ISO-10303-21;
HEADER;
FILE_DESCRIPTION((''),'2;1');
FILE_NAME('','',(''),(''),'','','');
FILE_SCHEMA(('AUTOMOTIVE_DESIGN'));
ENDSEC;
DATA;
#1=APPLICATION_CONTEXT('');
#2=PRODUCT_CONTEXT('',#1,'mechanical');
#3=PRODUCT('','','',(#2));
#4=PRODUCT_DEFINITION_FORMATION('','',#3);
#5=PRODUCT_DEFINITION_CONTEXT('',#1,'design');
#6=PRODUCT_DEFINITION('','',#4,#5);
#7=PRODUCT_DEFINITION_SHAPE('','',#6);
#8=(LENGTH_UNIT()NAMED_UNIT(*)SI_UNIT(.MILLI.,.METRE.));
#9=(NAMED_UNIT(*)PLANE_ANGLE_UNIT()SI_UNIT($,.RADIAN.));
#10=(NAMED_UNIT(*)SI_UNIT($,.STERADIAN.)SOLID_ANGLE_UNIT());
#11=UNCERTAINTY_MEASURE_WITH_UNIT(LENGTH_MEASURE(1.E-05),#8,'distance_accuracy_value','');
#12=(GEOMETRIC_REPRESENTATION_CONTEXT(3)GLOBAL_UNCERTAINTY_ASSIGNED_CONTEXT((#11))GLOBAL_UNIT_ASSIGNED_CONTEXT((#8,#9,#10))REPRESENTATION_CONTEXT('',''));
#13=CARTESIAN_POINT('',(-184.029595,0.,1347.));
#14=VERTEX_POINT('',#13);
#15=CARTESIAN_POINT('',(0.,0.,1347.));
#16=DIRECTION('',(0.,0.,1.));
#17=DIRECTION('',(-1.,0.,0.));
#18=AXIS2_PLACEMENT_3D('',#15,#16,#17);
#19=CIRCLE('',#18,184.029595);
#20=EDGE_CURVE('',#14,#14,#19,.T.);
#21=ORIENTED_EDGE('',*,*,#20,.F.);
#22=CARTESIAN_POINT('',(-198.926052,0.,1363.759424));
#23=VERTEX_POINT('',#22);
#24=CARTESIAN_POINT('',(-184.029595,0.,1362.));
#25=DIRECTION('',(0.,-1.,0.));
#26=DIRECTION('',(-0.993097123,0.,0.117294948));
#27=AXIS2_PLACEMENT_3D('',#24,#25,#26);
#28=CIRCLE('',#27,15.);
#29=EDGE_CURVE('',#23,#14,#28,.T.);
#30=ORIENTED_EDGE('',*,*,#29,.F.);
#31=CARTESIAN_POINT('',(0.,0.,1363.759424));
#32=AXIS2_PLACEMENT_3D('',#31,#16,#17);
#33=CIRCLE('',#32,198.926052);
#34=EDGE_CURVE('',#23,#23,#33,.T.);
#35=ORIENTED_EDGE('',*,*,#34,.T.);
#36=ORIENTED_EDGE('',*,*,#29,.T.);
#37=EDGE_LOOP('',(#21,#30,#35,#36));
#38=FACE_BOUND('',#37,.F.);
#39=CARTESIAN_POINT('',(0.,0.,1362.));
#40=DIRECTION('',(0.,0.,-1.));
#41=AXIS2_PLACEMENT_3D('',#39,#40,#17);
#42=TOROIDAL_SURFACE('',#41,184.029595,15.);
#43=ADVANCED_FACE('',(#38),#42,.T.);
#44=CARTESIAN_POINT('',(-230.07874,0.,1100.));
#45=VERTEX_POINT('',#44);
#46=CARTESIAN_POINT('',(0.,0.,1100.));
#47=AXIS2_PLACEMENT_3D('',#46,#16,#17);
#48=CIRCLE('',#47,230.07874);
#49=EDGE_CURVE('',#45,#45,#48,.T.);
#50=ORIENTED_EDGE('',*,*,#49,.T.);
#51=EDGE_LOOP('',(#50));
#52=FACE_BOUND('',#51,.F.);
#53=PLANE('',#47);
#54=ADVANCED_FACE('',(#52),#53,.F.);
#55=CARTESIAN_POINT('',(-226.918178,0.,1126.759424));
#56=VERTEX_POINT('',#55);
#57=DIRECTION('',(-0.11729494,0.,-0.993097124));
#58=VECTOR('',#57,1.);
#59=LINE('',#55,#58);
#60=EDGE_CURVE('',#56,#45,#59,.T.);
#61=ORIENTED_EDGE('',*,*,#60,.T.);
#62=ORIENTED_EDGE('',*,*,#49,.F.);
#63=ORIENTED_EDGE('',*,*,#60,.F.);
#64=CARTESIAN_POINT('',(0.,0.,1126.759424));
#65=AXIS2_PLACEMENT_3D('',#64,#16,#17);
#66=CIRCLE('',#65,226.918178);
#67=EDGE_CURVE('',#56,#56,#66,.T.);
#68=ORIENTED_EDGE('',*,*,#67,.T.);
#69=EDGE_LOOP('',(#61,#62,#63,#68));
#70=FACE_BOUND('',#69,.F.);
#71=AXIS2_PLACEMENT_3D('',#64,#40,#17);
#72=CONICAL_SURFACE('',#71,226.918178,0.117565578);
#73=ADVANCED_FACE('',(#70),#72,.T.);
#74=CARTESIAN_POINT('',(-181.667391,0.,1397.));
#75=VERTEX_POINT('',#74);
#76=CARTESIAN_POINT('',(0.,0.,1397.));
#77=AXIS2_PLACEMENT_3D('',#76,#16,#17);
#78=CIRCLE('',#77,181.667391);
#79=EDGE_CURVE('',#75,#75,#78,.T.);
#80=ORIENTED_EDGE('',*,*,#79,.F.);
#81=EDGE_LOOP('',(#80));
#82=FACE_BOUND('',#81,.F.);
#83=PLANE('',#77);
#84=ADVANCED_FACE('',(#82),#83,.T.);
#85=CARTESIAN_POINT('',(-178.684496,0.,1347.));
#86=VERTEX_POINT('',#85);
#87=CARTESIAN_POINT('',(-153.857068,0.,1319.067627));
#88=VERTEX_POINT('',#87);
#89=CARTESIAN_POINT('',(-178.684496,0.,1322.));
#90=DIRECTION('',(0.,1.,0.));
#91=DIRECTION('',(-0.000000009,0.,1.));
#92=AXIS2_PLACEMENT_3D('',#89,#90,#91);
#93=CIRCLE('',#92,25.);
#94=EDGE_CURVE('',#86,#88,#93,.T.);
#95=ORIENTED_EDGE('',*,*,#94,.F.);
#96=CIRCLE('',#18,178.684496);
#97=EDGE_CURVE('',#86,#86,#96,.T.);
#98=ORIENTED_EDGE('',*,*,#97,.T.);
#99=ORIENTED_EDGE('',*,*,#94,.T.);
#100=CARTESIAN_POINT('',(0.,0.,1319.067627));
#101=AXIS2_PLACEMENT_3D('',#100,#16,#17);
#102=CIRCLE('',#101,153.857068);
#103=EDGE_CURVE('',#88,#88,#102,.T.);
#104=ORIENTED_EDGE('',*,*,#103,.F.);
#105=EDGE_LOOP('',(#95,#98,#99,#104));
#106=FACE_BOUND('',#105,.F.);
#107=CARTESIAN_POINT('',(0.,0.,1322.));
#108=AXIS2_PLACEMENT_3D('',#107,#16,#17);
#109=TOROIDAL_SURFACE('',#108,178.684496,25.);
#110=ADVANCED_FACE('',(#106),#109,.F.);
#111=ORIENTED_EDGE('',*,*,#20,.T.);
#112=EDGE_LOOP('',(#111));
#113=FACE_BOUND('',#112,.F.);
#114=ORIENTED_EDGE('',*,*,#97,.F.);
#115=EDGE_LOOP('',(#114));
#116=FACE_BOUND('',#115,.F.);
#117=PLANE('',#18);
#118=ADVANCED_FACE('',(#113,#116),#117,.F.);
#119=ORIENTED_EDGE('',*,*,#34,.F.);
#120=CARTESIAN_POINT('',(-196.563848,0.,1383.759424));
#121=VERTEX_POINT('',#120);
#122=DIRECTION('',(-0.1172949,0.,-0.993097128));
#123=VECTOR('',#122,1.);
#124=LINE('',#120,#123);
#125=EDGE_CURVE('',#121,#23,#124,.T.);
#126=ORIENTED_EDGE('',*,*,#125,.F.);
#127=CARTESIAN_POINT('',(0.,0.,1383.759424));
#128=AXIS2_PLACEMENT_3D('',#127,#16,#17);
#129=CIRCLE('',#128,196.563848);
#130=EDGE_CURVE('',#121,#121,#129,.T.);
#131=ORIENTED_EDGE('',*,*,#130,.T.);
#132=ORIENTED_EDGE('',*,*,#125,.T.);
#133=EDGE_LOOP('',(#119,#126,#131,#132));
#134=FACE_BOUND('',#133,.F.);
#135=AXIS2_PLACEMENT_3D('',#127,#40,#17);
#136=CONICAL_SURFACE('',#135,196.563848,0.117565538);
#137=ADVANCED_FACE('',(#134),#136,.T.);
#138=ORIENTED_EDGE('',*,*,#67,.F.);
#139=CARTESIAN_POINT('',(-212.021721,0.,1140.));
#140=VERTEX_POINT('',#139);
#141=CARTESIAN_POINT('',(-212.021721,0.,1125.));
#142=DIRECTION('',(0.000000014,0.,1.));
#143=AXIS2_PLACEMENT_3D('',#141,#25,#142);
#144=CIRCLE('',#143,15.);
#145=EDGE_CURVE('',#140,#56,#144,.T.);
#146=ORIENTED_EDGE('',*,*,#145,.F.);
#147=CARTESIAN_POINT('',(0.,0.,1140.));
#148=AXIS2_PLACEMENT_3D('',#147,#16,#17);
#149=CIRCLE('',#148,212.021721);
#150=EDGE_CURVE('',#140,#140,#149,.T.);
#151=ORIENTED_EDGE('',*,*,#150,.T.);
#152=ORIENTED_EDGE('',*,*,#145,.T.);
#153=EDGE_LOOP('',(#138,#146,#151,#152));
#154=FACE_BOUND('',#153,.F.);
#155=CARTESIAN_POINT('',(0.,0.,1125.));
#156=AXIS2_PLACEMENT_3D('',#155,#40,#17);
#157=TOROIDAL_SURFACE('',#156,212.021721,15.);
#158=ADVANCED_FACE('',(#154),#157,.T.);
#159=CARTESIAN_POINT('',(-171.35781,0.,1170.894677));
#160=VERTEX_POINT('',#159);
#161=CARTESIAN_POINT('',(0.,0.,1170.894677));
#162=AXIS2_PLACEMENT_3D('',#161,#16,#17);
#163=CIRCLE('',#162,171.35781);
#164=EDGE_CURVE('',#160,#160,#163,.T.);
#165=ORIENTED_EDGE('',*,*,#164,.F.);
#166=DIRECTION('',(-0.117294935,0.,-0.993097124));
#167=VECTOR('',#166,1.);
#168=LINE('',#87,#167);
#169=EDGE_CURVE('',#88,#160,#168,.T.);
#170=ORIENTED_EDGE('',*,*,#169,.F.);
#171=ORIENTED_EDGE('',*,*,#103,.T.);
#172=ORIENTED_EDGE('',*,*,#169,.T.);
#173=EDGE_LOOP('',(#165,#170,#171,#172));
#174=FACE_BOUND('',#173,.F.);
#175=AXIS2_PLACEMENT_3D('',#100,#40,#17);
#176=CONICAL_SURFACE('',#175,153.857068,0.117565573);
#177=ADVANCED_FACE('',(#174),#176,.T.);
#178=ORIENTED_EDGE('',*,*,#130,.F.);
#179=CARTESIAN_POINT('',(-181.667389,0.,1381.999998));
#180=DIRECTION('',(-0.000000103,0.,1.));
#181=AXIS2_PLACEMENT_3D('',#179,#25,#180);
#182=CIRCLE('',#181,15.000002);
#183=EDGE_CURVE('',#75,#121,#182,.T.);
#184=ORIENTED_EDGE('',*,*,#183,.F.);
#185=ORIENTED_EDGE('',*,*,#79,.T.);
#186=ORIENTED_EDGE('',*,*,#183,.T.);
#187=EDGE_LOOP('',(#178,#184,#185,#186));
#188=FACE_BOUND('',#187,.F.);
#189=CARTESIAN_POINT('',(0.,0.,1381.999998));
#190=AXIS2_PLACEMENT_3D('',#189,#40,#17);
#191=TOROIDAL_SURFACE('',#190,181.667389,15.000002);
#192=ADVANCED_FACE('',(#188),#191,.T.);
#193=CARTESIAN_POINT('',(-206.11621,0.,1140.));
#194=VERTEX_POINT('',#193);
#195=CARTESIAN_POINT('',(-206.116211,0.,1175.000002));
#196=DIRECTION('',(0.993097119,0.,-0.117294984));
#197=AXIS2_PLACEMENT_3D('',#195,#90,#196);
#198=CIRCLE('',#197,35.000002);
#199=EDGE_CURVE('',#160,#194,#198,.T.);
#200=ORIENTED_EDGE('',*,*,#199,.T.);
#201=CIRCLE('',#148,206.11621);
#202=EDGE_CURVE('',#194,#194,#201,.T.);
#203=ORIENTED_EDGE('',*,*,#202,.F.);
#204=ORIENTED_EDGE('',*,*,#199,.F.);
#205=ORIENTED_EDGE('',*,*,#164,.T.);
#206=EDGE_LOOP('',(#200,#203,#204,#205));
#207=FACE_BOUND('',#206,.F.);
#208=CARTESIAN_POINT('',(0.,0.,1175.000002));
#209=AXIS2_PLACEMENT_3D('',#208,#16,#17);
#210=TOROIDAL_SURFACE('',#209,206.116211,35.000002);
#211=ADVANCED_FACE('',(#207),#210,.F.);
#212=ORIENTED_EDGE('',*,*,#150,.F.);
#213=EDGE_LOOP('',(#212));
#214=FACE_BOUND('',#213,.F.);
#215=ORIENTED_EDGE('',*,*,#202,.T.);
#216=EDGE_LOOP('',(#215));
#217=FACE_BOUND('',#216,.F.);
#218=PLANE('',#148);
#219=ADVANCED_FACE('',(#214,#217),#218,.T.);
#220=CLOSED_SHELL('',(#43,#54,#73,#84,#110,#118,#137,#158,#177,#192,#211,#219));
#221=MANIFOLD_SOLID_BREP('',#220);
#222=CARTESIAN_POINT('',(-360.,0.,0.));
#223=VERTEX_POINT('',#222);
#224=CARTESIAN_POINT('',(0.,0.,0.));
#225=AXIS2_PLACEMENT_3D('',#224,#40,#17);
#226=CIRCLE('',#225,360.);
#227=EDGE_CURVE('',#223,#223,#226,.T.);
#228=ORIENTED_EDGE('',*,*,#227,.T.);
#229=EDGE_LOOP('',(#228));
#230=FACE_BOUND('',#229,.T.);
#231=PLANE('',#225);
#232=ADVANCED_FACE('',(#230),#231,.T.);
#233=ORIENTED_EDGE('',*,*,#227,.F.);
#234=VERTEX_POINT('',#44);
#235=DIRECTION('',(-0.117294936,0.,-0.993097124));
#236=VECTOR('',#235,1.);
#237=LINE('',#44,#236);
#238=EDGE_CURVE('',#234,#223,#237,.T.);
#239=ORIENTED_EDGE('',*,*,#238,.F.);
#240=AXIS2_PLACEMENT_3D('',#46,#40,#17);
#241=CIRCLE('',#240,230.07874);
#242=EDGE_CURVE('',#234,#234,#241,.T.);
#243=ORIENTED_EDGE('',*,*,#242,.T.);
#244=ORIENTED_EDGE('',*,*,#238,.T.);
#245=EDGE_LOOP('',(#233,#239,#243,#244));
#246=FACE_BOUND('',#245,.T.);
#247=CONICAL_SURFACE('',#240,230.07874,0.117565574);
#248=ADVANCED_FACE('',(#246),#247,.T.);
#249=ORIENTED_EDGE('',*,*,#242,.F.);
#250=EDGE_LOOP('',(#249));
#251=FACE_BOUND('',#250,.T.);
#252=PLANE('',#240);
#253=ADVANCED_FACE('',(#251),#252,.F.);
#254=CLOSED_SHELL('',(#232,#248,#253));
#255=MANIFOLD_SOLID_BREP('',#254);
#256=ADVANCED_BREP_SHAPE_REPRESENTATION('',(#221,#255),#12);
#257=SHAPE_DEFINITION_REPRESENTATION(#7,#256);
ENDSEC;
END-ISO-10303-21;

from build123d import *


with BuildPart() as f1:
    # F0 (on Front) → F1 (revolve)
    with BuildSketch(Plane.XZ):
        with BuildLine():
            Line((-226.918178, 1126.759424), (-230.07874, 1100))
            Line((-230.07874, 1100), (0, 1100))
            Line((0, 1100), (0, 1397))
            Line((0, 1397), (-181.667391, 1397))
            ThreePointArc((-181.667391, 1397), (-191.632546, 1393.211408), (-196.563848, 1383.759424))
            Line((-196.563848, 1383.759424), (-198.926052, 1363.759424))
            ThreePointArc((-198.926052, 1363.759424), (-195.241004, 1352.034845), (-184.029595, 1347))
            Line((-184.029595, 1347), (-178.684496, 1347))
            ThreePointArc((-178.684496, 1347), (-159.998815, 1338.608592), (-153.857068, 1319.067627))
            Line((-153.857068, 1319.067627), (-171.35781, 1170.894677))
            ThreePointArc((-171.35781, 1170.894677), (-182.864181, 1148.840047), (-206.11621, 1140))
            Line((-206.11621, 1140), (-212.021721, 1140))
            ThreePointArc((-212.021721, 1140), (-221.986877, 1136.211408), (-226.918178, 1126.759424))
        make_face()
    revolve(axis=Axis((0, 0, 717.126846), (0, 0, 1)))


with BuildPart() as f2:
    # F0 (on Front) → F2 (revolve)
    with BuildSketch(Plane.XZ):
        Polygon((-230.07874, 1100), (-360, 0), (0, 0), (0, 1100), align=None)
    revolve(axis=Axis((0, 0, 550), (0, 0, -1)))


solid = Compound([f1.part, f2.part])
